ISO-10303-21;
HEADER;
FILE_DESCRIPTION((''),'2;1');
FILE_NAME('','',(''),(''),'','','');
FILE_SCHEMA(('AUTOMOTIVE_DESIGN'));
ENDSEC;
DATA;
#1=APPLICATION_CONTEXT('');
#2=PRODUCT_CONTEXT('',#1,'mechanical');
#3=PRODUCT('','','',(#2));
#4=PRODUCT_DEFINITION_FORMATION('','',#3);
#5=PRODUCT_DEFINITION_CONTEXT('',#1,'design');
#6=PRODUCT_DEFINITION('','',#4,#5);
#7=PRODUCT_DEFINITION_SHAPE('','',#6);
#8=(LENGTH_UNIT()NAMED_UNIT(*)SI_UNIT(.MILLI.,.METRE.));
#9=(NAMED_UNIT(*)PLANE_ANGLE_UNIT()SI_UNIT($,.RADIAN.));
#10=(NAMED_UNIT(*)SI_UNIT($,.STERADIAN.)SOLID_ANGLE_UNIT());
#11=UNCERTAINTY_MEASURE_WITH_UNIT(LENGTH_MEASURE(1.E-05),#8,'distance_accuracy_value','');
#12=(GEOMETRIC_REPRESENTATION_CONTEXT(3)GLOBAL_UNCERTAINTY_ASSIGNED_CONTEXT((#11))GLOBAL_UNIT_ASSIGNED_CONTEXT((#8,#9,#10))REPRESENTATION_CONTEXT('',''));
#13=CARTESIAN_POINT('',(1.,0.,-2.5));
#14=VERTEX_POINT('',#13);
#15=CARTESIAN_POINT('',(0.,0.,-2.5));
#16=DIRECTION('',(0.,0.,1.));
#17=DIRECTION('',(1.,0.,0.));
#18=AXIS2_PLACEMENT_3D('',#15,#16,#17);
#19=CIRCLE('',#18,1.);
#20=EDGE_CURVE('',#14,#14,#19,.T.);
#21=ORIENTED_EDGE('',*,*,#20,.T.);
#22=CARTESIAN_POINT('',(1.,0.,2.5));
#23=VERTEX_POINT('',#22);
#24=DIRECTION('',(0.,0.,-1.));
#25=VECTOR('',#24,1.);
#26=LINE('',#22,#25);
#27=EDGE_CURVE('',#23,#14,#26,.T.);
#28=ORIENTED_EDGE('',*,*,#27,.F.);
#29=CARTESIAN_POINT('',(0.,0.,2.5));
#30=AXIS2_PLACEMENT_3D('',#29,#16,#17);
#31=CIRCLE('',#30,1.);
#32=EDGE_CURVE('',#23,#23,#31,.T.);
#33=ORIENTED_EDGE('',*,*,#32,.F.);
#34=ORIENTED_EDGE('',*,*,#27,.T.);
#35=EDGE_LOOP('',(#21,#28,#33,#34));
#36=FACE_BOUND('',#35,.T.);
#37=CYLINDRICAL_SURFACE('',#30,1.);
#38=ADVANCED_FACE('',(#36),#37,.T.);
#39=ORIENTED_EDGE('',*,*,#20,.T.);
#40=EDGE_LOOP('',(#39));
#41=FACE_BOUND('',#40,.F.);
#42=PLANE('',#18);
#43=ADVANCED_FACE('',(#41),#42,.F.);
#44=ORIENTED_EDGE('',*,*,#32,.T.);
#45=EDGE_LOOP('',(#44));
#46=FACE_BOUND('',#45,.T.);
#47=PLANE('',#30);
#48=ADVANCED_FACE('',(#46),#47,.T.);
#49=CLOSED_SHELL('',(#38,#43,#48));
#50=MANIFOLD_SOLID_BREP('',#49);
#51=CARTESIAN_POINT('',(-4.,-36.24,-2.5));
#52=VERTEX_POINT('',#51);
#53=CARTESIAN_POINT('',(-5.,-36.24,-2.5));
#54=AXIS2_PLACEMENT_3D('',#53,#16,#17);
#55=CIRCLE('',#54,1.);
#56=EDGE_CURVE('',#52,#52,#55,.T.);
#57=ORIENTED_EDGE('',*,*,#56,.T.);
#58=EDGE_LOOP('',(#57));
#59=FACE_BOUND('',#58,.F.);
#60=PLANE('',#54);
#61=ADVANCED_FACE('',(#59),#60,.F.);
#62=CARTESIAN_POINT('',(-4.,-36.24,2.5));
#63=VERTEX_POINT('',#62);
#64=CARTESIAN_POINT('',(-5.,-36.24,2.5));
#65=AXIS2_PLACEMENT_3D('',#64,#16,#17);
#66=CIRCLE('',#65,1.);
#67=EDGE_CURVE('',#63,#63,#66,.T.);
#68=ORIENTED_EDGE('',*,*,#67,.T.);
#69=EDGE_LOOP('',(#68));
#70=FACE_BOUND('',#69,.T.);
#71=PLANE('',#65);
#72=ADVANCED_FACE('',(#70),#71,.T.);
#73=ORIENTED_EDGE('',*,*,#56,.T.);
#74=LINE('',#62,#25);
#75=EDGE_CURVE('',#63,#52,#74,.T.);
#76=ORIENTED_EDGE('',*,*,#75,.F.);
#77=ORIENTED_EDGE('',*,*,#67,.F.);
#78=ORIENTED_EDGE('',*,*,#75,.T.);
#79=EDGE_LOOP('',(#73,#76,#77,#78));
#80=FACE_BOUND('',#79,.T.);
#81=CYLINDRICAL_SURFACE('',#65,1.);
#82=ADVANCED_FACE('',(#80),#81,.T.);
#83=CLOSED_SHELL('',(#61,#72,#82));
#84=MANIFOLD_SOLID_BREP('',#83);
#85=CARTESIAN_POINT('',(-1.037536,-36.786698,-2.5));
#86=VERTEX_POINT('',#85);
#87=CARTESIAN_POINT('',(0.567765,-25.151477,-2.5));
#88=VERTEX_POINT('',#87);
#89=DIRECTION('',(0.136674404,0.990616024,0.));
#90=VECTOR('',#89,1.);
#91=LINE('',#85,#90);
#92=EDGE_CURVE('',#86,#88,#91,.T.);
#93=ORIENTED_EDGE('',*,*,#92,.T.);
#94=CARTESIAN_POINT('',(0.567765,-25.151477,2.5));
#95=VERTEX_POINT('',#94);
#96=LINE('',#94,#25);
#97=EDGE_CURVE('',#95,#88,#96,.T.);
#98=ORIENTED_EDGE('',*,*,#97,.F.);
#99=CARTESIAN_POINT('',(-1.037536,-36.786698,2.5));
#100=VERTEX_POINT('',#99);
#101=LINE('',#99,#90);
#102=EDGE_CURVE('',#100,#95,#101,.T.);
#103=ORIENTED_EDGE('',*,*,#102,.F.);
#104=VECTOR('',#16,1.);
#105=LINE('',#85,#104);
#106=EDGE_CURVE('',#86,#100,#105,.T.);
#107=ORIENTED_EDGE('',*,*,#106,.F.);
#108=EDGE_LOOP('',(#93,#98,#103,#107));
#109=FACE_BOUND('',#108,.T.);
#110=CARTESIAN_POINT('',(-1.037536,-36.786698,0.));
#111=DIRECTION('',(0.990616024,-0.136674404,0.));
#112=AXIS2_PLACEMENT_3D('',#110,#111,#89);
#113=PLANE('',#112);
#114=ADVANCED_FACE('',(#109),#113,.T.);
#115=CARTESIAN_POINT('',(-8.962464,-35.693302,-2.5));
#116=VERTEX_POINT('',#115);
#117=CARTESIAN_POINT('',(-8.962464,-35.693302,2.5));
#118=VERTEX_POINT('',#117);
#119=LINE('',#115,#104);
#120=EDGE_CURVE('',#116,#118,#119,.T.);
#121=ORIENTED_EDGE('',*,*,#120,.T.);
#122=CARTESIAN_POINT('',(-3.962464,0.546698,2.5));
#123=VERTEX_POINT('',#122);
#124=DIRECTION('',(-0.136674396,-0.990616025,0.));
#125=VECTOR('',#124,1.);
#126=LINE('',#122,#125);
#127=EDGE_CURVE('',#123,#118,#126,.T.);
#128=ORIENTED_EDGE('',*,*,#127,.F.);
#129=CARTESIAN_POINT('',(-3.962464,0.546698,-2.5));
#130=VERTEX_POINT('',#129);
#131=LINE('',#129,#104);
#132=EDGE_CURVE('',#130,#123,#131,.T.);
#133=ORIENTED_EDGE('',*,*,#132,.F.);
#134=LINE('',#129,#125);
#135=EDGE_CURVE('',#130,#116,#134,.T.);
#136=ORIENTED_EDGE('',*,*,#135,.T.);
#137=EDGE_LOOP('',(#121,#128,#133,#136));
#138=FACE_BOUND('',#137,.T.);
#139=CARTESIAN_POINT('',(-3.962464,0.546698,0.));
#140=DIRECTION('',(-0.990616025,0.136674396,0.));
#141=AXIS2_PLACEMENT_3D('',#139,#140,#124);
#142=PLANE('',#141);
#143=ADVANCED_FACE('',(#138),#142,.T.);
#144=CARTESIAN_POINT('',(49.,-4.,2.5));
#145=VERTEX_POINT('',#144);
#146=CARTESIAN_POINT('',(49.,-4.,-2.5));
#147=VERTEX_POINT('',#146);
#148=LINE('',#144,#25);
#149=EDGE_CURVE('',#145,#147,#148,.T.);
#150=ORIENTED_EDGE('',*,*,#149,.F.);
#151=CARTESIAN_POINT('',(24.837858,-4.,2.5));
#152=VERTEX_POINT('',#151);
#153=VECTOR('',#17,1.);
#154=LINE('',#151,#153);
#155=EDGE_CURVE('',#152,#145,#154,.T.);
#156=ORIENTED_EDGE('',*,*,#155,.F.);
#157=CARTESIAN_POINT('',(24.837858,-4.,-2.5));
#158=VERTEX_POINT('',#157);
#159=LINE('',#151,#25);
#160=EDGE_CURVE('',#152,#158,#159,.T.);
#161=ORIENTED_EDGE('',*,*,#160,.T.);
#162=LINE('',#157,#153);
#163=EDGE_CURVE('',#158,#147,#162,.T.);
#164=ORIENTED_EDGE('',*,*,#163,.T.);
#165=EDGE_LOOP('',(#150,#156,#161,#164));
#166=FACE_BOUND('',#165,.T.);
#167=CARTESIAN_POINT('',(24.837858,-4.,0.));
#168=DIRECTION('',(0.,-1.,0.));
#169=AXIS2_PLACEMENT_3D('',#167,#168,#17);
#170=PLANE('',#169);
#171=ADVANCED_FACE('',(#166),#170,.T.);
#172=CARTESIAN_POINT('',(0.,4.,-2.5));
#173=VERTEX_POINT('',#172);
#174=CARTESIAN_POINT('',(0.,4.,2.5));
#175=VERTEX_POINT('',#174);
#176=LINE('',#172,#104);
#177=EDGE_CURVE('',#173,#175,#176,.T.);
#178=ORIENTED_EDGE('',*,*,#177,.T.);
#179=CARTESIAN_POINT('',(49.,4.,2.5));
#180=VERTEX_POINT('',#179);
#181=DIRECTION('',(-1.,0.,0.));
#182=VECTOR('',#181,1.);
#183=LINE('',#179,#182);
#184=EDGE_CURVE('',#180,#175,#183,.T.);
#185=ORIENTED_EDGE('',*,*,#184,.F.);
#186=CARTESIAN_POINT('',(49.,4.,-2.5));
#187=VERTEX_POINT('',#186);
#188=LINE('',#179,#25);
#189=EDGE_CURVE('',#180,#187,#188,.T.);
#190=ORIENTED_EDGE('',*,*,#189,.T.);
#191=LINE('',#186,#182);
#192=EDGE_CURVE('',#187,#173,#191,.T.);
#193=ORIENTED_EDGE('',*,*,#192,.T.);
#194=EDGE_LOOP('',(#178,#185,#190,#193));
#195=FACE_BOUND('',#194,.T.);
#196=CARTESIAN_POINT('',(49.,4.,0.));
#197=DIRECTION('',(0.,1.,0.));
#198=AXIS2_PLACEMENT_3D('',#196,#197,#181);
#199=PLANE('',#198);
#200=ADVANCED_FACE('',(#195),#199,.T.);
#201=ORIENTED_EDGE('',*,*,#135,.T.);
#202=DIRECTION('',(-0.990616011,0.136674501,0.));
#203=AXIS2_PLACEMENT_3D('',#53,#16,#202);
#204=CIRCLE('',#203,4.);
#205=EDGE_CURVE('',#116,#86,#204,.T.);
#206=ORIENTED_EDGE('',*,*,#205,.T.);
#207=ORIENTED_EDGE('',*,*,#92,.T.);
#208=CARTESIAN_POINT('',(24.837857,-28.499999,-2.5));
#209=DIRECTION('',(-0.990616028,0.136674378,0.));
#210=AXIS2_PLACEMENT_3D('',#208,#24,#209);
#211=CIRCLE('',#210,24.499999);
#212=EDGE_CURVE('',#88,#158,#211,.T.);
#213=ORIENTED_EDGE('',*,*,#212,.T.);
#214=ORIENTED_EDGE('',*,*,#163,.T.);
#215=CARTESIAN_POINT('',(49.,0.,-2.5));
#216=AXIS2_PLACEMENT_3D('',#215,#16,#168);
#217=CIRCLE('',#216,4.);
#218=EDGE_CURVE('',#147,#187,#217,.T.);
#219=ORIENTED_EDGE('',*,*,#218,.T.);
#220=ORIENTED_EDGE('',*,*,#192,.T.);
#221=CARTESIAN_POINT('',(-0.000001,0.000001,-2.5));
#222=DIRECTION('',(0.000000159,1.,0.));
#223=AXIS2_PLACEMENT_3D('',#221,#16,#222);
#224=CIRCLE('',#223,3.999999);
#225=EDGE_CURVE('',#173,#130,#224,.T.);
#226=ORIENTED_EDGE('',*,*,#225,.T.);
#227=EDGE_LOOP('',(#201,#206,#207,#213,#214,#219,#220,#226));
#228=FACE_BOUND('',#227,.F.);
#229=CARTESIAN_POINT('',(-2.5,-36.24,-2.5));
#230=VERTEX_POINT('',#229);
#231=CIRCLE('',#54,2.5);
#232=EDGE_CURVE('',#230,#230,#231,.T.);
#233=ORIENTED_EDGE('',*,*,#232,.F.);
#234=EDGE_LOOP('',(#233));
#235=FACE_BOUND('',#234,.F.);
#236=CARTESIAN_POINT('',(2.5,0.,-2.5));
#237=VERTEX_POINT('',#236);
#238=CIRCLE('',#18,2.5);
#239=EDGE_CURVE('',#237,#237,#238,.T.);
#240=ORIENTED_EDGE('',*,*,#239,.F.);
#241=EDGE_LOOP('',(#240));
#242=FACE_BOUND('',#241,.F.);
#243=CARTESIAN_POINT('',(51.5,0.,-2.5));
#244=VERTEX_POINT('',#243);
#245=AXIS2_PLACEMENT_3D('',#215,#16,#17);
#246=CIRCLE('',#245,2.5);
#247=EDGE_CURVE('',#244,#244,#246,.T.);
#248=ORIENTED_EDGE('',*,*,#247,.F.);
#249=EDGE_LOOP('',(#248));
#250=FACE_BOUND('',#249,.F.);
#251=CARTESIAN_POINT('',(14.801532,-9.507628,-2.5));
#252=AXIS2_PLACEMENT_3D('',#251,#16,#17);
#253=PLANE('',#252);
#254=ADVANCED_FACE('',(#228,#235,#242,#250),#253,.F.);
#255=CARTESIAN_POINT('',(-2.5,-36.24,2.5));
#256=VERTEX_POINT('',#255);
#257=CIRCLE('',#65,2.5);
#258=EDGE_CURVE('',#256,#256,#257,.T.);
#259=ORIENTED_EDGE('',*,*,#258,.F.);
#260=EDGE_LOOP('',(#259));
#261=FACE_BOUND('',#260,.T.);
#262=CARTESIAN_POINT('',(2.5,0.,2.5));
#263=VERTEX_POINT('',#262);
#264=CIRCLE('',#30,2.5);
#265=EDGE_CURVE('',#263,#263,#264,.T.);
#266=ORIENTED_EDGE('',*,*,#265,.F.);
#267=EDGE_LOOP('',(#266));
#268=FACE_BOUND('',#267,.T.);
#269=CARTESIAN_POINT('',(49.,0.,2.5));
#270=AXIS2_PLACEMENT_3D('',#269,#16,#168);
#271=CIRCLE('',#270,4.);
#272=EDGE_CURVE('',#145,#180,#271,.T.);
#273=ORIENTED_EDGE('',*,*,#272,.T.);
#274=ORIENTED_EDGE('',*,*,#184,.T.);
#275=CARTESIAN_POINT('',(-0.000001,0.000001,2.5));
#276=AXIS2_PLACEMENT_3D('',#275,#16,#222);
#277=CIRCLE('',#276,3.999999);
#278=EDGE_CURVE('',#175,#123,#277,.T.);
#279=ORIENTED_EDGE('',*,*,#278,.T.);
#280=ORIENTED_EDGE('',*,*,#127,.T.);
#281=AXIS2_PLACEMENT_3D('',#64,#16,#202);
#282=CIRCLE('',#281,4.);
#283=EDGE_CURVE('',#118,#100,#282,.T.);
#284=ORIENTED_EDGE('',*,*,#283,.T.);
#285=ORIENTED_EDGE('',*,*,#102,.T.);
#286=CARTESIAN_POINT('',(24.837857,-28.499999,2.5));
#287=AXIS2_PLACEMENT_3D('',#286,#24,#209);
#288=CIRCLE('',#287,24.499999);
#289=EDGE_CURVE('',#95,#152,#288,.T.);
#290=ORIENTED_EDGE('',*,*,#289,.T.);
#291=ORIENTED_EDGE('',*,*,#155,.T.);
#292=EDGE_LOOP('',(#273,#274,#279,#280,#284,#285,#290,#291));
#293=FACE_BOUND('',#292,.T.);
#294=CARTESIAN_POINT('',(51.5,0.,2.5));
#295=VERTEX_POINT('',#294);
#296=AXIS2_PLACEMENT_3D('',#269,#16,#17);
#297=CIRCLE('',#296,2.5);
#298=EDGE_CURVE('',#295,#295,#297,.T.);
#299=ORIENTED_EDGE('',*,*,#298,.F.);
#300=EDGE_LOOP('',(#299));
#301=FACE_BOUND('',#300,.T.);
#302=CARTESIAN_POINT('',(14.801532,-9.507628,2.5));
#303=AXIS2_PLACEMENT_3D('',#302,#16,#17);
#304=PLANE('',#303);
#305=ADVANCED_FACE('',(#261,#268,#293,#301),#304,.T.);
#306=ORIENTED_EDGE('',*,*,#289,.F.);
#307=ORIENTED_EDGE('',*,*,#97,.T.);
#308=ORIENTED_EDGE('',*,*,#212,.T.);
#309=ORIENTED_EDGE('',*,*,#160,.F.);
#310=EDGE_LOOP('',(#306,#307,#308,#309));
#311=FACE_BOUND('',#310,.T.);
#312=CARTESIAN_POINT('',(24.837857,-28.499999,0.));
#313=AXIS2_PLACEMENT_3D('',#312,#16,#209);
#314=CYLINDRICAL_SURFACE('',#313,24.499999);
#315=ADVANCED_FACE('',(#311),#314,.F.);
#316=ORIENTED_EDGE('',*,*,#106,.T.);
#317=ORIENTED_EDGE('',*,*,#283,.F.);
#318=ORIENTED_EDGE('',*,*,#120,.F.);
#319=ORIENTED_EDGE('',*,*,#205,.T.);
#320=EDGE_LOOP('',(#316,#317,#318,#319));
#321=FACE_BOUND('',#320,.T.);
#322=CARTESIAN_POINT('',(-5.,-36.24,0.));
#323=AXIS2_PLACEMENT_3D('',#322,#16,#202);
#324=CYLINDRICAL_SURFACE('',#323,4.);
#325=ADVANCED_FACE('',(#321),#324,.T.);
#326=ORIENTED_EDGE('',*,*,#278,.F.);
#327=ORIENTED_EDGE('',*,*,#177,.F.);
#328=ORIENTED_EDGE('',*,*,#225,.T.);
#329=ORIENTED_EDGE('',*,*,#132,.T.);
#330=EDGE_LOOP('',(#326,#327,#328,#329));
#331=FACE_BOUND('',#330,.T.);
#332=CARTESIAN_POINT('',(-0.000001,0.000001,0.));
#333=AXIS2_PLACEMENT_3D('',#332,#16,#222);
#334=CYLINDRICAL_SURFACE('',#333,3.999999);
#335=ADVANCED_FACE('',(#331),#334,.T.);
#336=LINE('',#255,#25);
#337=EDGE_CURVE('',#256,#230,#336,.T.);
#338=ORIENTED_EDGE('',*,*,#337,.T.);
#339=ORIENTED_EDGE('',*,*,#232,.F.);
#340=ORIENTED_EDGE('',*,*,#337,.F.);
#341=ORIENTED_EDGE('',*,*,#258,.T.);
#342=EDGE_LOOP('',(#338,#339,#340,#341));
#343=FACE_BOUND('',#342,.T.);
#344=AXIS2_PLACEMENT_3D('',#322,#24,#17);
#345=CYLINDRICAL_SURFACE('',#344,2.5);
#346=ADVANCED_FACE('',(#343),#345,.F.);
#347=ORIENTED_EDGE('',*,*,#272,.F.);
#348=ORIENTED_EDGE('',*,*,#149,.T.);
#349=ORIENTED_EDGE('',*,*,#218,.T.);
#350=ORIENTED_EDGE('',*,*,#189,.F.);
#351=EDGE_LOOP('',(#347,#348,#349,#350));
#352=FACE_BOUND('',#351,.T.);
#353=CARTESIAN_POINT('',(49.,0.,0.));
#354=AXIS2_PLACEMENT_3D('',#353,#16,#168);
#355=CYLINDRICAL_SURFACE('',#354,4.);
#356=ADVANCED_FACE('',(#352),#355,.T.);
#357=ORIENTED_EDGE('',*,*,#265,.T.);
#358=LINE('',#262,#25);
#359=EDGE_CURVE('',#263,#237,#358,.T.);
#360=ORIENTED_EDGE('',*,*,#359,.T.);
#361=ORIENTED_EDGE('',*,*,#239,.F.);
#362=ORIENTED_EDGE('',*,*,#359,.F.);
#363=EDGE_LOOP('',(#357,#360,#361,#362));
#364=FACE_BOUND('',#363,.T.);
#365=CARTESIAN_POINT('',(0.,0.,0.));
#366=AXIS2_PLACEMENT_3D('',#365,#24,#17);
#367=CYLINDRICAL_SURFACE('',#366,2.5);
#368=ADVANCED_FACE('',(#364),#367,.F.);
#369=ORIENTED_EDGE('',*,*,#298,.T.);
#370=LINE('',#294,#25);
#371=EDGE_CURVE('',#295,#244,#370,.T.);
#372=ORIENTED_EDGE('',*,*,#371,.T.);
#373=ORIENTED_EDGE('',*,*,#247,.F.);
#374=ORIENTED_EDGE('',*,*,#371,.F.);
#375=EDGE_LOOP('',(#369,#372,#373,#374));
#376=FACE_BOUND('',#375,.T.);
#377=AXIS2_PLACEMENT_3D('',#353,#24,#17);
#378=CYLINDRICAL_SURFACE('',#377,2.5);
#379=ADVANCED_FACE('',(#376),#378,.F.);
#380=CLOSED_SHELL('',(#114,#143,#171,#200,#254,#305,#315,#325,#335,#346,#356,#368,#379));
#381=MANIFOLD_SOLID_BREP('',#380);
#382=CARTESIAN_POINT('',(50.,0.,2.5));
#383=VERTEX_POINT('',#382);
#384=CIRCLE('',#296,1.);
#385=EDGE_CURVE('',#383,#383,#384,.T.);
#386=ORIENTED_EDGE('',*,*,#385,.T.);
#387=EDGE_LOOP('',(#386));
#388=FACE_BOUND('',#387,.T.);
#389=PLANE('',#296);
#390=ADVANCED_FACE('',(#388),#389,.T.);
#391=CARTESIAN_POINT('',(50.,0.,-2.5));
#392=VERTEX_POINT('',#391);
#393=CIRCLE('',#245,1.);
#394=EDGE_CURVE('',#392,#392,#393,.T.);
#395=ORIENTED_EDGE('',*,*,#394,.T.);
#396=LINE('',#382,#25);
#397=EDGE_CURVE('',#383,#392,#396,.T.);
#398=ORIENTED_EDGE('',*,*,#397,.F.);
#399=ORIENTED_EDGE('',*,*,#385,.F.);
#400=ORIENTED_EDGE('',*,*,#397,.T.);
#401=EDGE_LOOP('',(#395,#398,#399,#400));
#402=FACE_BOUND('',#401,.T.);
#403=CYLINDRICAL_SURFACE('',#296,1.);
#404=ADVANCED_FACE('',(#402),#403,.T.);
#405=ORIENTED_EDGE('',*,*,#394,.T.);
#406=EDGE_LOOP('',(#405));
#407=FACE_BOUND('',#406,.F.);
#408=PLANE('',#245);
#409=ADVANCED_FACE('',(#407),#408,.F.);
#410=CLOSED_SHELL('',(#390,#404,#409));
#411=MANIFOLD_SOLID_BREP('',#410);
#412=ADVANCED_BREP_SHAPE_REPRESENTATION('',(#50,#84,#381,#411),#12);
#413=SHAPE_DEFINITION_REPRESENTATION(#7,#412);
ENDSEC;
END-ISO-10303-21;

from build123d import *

# Parameters (mm, degrees)
F0_R     = 2.5
F1_DEPTH = 2.5
F2_R     = 1
F3_DEPTH = 5


with BuildPart() as f1:
    # F0 (on Top) → F1 (new body, symmetric)
    with BuildSketch(Plane.XY):
        with BuildLine():
            Line((49, 4), (0, 4))
            ThreePointArc((0, 4), (-2.628042, 3.015526), (-3.962464, 0.546698))
            Line((-3.962464, 0.546698), (-8.962464, -35.693302))
            ThreePointArc((-8.962464, -35.693302), (-5.546698, -40.202464), (-1.037536, -36.786698))
            Line((-1.037536, -36.786698), (0.567765, -25.151477))
            ThreePointArc((0.567765, -25.151477), (8.7411, -10.029905), (24.837858, -4))
            Line((24.837858, -4), (49, -4))
            ThreePointArc((49, -4), (53, 0), (49, 4))
        make_face()
        with Locations((-5, -36.24)):
            Circle(F0_R, mode=Mode.SUBTRACT)
        Circle(F0_R, mode=Mode.SUBTRACT)
        with Locations((49, 0)):
            Circle(F0_R, mode=Mode.SUBTRACT)
    extrude(amount=F1_DEPTH, both=True)


with BuildPart() as f3:
    # F2 (on face) → F3 (new body)
    with BuildSketch(Plane.XY.offset(2.5)):
        Circle(F2_R)
        with Locations((-5, -36.24)):
            Circle(F2_R)
        with Locations((49, 0)):
            Circle(F2_R)
    extrude(amount=-F3_DEPTH)


solid = Compound([f1.part, f3.part])
